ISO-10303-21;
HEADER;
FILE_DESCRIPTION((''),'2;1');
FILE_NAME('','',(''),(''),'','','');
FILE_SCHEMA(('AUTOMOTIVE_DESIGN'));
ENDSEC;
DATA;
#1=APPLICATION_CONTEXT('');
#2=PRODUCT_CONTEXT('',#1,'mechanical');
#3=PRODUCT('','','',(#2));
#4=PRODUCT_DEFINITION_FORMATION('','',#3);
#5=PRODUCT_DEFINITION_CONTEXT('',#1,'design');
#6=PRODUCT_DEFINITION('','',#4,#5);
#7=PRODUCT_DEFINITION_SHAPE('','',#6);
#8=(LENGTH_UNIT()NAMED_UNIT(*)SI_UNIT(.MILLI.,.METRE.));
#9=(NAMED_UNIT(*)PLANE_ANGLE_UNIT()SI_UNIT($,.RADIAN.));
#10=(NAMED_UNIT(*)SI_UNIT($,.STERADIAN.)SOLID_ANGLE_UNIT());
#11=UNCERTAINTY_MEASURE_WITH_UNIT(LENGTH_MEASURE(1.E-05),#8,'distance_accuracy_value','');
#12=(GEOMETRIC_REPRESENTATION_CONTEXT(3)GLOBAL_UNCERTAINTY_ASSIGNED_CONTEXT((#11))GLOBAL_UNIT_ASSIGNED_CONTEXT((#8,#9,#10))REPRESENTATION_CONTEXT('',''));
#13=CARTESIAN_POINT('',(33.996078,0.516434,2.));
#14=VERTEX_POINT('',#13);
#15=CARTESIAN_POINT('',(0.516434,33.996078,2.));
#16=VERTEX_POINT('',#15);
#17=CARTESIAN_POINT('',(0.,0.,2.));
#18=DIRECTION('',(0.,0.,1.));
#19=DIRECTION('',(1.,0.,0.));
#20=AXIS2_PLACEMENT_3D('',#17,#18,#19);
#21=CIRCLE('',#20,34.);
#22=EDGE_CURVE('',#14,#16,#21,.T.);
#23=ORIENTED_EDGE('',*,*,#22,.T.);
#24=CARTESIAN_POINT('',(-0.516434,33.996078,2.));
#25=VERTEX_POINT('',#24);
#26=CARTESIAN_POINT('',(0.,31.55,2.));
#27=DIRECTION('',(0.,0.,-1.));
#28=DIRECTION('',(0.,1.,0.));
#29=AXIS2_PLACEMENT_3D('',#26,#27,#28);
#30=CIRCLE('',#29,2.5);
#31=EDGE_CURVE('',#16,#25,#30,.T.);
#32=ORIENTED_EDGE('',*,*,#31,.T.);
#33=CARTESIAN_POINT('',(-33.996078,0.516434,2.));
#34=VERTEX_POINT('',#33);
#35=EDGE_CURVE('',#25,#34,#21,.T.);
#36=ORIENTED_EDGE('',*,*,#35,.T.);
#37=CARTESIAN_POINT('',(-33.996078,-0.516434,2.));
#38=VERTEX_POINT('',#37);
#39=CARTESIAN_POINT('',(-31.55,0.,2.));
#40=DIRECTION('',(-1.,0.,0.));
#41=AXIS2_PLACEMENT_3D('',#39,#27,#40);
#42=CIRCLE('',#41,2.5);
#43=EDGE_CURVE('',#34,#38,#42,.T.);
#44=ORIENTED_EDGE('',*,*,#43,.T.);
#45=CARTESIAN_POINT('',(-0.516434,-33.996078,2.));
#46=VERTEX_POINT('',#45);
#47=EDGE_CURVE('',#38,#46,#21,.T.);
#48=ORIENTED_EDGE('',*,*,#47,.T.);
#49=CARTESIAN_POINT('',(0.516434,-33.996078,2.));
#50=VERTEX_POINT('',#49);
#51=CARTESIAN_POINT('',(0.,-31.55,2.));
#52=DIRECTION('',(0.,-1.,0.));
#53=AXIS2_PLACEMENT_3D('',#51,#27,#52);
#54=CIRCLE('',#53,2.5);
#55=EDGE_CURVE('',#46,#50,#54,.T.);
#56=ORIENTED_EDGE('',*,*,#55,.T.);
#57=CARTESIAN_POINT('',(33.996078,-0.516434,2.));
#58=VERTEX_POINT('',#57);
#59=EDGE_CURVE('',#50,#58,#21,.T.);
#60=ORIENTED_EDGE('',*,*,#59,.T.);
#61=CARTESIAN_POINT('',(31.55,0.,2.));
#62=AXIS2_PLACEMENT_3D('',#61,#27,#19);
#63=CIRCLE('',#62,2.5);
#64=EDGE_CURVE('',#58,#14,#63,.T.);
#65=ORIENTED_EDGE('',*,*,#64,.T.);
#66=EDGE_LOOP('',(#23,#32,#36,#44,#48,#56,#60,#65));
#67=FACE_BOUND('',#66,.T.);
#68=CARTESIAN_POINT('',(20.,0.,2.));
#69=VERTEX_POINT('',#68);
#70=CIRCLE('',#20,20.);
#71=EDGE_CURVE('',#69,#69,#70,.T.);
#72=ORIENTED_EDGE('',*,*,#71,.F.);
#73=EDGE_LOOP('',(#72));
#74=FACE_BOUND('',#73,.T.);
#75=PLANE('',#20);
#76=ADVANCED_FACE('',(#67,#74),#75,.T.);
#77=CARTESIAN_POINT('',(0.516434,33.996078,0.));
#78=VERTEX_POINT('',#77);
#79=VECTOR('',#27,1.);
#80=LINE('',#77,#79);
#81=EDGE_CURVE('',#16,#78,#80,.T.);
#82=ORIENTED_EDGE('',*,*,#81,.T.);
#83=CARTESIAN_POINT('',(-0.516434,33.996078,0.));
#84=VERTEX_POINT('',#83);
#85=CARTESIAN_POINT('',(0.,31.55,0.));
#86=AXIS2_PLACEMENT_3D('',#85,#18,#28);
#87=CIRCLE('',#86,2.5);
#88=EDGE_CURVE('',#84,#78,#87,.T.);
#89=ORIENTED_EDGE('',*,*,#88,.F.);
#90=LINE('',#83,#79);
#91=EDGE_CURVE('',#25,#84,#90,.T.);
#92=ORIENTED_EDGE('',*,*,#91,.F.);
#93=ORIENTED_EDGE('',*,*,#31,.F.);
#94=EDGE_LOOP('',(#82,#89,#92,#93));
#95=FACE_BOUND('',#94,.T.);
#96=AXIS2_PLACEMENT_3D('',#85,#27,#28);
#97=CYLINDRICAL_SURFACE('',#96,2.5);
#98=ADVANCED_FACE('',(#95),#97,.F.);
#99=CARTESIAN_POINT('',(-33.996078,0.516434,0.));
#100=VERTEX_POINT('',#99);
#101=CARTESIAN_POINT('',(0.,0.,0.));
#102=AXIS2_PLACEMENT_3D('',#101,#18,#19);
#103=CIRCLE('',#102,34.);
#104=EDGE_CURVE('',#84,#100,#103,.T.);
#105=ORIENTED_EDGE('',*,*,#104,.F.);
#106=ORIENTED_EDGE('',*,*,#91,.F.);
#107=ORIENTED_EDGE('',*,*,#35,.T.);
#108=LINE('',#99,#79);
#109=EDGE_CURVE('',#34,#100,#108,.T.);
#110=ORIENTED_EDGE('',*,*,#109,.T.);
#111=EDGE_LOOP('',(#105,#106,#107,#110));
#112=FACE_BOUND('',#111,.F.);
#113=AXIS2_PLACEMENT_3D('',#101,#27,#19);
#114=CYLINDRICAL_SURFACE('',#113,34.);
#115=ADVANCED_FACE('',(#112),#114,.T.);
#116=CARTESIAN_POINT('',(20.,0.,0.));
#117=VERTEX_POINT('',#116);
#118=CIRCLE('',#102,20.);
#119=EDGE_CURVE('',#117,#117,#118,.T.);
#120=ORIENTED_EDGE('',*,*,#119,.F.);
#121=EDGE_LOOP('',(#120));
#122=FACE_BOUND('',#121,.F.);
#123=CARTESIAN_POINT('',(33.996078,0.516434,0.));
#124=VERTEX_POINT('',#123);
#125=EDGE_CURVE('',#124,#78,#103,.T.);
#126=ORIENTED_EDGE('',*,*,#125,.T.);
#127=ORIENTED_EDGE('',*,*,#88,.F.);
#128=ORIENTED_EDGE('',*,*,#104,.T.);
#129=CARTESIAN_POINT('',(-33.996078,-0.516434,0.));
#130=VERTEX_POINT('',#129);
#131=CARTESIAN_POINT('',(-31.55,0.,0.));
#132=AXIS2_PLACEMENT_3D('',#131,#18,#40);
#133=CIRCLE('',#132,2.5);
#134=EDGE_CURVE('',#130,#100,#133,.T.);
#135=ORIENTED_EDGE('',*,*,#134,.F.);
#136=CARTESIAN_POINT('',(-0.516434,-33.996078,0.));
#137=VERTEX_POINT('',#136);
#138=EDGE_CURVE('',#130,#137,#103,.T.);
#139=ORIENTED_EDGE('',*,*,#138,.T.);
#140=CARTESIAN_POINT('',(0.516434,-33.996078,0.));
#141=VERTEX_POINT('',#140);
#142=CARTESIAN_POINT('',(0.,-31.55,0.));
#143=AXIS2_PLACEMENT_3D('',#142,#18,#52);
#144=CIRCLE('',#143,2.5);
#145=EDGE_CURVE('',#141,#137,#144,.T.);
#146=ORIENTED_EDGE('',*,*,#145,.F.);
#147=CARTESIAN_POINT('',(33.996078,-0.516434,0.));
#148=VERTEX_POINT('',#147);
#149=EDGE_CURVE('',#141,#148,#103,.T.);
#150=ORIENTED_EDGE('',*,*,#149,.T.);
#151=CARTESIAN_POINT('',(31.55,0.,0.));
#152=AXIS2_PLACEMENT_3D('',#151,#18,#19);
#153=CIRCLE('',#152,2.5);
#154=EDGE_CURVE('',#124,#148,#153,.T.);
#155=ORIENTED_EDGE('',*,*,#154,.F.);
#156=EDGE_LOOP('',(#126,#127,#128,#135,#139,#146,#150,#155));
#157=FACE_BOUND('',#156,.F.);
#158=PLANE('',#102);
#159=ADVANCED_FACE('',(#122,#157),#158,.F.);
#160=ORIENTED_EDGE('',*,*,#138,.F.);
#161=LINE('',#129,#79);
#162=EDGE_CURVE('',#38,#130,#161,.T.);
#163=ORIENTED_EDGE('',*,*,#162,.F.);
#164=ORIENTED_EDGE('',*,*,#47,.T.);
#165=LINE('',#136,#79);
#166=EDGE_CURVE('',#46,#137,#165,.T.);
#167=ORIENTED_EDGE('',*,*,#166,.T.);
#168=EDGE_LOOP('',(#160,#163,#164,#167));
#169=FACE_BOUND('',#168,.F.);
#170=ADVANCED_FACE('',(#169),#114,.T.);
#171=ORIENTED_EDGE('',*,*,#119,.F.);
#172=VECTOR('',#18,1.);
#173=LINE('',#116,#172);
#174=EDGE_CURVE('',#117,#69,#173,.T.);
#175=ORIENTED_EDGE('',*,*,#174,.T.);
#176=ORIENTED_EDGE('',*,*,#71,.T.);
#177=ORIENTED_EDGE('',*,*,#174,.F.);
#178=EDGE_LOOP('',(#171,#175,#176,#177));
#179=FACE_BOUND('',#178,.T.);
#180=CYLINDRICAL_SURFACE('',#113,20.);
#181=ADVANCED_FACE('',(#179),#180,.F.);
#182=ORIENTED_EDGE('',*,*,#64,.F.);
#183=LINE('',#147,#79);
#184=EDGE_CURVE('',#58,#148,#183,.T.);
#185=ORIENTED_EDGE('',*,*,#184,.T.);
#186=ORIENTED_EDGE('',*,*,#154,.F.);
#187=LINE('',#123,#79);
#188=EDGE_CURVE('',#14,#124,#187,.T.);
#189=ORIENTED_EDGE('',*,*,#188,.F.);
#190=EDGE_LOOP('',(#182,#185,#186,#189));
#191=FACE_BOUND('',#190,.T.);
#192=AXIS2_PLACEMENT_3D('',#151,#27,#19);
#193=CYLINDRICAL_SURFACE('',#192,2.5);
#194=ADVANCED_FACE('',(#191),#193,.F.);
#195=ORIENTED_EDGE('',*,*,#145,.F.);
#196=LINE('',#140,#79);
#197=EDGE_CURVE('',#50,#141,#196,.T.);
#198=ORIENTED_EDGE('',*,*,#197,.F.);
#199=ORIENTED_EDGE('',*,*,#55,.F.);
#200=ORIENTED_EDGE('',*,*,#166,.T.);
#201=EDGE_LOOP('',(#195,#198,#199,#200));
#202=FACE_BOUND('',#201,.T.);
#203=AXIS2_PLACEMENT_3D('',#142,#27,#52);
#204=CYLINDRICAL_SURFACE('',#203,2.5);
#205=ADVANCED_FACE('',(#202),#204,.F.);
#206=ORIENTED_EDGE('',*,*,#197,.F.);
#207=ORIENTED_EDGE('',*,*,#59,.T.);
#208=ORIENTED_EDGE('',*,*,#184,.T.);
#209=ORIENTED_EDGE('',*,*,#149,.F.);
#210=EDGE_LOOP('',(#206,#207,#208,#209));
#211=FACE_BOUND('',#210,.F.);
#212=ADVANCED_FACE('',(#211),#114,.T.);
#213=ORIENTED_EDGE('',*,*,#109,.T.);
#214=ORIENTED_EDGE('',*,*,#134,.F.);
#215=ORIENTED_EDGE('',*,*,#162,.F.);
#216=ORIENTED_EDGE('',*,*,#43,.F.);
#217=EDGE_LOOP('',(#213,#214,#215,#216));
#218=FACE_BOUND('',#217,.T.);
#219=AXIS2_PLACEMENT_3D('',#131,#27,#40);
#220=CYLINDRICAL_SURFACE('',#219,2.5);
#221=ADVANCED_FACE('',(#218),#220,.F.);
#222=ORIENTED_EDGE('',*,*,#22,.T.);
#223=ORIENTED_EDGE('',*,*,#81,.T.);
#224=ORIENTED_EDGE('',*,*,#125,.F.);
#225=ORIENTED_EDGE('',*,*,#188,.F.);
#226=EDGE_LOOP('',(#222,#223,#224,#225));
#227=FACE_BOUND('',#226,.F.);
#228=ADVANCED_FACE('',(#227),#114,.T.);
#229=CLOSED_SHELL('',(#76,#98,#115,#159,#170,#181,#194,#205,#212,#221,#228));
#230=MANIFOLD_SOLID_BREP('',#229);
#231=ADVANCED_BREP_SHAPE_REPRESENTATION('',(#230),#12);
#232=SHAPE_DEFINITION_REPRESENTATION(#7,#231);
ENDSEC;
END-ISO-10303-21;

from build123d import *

# Parameters (mm, degrees)
CYLINDER_R     = 2.5
CYLINDER_DEPTH = 10
ARRAY_COUNT    = 4
TUBE_R         = 34
TUBE_R_2       = 20
TUBE_DEPTH     = 2


with BuildPart() as array:
    # Cylinder → Cylinder (new body)
    with BuildSketch(Plane(origin=(31.55, 0, 0), x_dir=(1, 0, 0), z_dir=(0, 0, 1))):
        Circle(CYLINDER_R)
    extrude(amount=CYLINDER_DEPTH)

    # Array: Array ×4 about axis
    array_axis = Axis((0, 0, 0), (0, 0, 1))


with BuildPart() as array_1:
    add(array.part)
    for i in range(1, ARRAY_COUNT):
        add(array.part.rotate(array_axis, i * 360 / ARRAY_COUNT))


with BuildPart() as cut:
    # Tube → Tube (new body)
    with BuildSketch(Plane.XY):
        Circle(TUBE_R)
        Circle(TUBE_R_2, mode=Mode.SUBTRACT)
    extrude(amount=TUBE_DEPTH)

    # Cut: cut Array
    add(array_1.part, mode=Mode.SUBTRACT)


solid = cut.part
